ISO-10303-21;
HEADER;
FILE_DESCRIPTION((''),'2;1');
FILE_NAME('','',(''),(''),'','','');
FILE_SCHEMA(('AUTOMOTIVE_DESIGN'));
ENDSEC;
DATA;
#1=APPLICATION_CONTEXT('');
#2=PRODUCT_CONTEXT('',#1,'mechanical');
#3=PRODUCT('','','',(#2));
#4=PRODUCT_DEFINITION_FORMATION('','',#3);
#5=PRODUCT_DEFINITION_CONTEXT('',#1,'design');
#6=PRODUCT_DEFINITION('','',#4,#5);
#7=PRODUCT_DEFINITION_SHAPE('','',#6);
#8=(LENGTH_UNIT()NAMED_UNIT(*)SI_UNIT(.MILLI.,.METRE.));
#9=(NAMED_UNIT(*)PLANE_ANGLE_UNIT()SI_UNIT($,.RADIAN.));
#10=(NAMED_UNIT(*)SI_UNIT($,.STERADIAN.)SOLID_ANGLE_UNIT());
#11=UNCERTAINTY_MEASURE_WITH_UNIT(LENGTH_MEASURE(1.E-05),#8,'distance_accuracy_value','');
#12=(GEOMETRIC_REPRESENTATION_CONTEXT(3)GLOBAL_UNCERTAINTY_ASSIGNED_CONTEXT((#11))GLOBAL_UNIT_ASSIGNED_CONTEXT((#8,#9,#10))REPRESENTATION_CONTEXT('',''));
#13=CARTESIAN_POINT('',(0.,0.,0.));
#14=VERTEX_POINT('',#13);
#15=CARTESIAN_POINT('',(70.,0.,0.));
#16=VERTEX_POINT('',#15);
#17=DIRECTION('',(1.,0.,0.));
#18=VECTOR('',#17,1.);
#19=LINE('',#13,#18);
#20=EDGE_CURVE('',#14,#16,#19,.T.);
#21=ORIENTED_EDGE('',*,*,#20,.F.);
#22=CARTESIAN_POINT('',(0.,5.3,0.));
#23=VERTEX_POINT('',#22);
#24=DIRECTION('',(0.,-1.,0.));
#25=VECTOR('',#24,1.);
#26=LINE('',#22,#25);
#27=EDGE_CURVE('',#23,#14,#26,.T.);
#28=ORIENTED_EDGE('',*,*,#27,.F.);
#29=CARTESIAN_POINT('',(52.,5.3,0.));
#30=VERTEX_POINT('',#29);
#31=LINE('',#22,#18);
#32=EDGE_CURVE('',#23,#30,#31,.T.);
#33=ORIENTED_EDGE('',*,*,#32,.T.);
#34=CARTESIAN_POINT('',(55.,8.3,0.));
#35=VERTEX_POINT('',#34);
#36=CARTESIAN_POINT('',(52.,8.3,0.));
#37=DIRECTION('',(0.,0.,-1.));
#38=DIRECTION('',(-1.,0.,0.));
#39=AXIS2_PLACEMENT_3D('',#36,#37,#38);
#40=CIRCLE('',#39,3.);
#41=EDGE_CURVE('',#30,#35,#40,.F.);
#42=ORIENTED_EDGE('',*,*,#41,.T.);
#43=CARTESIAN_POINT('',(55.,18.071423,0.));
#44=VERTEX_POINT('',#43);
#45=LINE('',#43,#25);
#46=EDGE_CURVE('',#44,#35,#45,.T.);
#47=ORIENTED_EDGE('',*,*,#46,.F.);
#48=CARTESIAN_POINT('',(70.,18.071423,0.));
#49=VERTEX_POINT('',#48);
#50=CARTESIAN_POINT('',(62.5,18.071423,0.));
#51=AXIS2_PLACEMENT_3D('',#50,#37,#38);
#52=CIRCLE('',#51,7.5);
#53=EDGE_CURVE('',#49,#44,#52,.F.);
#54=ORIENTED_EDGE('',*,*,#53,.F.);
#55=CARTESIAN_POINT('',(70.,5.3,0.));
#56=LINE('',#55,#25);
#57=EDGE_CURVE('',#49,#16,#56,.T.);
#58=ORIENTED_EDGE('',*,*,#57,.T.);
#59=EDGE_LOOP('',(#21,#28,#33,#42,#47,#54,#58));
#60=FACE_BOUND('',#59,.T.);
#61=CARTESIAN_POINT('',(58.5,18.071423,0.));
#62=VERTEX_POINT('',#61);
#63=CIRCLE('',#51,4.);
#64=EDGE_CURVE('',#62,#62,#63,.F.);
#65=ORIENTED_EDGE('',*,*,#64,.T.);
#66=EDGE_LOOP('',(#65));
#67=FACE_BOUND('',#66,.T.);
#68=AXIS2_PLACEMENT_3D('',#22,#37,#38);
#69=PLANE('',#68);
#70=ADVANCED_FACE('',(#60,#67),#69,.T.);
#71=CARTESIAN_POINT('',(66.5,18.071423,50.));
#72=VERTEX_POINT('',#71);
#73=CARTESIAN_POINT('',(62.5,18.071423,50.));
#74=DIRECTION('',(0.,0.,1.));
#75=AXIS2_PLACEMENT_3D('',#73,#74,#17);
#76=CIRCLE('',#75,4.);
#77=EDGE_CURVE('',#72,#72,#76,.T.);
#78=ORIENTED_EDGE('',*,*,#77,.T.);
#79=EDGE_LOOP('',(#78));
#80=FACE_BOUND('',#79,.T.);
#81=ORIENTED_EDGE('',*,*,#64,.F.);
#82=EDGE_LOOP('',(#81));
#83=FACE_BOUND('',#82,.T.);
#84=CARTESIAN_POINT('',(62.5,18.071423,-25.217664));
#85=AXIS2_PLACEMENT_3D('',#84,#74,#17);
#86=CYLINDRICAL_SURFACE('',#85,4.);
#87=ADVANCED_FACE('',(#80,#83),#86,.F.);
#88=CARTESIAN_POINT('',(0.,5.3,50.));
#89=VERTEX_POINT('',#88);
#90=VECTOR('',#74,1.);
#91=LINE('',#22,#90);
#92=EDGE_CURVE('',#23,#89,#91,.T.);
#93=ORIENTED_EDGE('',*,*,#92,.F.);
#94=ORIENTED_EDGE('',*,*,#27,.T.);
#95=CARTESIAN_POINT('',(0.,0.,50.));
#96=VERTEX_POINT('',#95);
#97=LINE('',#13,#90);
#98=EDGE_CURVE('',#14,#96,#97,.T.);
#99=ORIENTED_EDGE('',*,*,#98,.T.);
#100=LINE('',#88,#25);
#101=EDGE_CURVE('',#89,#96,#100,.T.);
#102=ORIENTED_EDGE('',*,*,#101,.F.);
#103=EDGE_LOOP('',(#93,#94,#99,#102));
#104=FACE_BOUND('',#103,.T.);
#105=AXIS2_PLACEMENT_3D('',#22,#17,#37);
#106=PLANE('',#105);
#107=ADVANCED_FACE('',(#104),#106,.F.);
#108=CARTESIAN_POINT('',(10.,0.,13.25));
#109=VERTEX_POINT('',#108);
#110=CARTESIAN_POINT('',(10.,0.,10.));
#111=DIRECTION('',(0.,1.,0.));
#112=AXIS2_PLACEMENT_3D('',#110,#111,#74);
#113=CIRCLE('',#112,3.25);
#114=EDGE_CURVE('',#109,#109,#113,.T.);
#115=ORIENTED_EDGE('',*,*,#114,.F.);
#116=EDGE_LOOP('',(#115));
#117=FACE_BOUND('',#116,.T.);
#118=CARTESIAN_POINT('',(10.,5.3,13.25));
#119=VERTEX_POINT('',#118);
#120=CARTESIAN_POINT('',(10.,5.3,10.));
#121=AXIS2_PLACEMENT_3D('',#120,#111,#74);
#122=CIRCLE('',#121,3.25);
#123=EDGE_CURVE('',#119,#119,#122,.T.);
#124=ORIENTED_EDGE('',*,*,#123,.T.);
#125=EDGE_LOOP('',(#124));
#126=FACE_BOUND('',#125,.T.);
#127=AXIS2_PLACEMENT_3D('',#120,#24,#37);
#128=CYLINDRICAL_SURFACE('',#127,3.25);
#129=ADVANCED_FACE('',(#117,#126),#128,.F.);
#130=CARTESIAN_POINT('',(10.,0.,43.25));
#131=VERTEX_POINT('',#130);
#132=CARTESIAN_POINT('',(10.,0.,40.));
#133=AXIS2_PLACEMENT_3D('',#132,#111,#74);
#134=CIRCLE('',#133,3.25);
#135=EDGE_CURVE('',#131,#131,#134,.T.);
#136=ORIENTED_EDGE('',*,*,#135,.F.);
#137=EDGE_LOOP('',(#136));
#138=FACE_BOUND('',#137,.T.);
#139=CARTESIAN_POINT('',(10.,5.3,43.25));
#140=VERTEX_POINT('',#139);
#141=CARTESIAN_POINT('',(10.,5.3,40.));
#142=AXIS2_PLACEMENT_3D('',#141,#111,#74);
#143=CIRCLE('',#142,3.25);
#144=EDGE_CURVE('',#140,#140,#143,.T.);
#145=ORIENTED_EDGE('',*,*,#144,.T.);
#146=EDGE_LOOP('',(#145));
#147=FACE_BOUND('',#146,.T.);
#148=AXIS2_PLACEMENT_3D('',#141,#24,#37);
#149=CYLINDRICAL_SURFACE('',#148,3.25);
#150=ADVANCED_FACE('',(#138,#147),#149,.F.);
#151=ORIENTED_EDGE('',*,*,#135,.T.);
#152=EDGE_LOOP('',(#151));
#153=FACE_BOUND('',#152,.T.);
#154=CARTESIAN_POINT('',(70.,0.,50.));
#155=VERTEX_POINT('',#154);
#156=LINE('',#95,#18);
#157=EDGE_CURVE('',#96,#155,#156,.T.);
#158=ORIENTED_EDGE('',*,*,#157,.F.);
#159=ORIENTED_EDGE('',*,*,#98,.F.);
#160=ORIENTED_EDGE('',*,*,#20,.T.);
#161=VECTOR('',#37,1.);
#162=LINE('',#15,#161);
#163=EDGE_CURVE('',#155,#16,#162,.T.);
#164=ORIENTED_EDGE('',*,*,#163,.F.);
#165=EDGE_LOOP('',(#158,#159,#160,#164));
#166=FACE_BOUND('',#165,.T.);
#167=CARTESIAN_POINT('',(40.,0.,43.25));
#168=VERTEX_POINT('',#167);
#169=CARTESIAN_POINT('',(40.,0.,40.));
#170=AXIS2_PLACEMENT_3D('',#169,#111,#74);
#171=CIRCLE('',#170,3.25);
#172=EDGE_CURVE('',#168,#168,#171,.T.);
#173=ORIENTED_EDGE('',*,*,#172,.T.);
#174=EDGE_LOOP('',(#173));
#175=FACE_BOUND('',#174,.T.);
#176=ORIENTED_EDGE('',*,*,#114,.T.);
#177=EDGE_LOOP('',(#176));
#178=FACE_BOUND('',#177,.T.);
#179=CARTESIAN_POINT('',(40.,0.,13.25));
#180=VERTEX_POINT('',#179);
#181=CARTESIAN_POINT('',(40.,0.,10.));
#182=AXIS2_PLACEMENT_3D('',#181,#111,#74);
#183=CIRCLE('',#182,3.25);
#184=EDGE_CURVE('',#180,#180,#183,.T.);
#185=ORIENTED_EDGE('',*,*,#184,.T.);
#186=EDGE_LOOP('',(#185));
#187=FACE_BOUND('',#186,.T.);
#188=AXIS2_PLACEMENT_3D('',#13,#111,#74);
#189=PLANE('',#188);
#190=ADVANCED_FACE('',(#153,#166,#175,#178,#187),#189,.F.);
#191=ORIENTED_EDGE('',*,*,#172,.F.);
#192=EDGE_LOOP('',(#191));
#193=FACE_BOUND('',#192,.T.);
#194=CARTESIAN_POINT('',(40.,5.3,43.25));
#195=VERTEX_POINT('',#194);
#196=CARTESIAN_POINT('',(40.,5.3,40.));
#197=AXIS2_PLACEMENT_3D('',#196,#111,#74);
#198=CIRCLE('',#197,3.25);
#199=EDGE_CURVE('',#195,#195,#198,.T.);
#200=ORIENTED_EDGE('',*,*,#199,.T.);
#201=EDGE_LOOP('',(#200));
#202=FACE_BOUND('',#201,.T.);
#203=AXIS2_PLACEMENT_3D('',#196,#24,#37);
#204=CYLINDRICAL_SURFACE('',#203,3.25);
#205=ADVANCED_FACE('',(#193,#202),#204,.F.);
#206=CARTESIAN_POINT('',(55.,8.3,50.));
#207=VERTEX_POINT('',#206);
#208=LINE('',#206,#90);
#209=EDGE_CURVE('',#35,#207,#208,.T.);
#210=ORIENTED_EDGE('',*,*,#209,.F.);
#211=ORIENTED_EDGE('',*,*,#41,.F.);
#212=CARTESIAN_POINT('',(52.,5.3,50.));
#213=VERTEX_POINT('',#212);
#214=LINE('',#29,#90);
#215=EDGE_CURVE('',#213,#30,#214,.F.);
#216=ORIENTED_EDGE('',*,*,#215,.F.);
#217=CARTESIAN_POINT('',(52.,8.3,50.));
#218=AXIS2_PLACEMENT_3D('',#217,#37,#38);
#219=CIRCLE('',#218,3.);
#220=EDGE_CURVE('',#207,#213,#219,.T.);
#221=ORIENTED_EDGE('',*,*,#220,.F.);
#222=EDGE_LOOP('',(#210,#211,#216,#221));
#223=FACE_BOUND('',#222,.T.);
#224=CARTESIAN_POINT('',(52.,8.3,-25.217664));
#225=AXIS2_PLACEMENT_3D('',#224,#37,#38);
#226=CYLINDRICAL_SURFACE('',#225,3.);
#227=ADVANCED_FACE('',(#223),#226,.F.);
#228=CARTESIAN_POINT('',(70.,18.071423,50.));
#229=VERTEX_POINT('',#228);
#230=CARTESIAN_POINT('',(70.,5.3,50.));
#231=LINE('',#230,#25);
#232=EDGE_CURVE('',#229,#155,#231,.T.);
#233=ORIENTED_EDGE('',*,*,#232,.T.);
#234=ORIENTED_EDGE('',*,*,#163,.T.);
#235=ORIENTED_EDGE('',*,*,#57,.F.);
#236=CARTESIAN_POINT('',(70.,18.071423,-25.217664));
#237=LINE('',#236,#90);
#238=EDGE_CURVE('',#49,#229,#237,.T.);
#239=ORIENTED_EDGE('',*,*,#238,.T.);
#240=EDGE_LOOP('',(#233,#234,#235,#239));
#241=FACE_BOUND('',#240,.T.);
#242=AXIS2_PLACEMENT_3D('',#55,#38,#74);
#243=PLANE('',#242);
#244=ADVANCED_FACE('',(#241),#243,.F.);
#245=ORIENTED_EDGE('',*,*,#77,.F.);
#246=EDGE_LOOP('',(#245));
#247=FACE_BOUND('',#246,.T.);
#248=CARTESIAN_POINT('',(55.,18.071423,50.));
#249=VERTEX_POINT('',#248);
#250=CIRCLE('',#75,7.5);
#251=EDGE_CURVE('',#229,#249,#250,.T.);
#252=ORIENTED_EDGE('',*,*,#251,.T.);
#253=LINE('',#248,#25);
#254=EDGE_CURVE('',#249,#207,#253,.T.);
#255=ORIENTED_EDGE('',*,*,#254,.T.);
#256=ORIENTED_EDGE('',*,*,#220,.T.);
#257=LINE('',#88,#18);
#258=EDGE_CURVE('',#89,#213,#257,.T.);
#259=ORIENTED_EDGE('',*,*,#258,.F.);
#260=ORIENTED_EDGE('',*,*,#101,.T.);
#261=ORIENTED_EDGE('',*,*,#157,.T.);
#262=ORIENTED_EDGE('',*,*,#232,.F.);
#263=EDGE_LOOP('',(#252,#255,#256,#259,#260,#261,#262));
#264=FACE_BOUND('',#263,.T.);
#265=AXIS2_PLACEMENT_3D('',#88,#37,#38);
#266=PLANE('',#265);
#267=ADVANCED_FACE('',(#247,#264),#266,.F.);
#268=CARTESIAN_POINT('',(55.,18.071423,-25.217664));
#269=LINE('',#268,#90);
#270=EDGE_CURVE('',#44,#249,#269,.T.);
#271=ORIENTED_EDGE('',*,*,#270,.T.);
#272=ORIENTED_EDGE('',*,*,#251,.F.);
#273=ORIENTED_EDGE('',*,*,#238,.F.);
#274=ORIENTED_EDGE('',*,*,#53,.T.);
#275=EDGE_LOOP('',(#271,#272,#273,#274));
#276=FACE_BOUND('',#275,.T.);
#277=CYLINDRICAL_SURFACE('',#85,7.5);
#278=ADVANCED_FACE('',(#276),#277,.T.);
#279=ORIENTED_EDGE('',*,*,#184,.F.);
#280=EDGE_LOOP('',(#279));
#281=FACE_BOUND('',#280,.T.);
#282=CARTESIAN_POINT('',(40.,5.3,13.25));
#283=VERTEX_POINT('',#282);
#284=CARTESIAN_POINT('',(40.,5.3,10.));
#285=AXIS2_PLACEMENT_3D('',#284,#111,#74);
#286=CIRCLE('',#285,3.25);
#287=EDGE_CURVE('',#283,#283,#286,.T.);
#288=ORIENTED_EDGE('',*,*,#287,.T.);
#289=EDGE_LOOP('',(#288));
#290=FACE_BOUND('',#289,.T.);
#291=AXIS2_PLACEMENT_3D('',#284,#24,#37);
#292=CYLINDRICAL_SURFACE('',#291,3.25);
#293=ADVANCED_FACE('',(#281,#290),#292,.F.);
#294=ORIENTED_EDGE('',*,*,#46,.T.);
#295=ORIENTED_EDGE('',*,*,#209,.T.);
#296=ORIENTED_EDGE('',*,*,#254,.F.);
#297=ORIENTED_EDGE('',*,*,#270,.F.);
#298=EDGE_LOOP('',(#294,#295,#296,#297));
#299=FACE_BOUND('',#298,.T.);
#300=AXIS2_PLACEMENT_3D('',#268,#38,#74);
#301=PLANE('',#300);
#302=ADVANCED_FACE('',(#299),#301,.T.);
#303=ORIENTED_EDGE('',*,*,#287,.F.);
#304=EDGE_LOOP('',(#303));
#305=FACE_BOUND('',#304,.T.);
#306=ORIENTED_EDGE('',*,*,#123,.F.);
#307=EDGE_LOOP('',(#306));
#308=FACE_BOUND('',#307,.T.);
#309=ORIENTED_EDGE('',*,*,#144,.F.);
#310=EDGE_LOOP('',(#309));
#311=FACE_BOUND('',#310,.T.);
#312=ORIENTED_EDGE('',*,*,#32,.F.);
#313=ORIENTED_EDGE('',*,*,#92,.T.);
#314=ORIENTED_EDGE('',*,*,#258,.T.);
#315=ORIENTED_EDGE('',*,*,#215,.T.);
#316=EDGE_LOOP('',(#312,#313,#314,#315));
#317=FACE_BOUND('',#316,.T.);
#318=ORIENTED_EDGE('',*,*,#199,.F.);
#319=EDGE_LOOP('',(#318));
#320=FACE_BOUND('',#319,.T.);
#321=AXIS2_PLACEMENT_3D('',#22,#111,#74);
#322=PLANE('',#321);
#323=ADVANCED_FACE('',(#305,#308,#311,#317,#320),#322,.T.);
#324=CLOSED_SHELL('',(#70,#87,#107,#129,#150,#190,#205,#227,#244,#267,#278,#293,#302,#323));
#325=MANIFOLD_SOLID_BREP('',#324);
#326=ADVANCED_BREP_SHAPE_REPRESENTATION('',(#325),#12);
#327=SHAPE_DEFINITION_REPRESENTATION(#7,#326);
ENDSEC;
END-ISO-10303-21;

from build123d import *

# Parameters (mm, degrees)
SKETCH1_W           = 50
SKETCH1_H           = 50
SKETCH1_R           = 3.25
SKETCH1_W_2         = 20
BOSS_EXTRUDE1_DEPTH = 5.3
SKETCH2_R           = 4
BOSS_EXTRUDE2_DEPTH = 50
FILLET1_R           = 3


with BuildPart() as part:
    # Sketch1 → Boss-Extrude1 (new body)
    # profile 1 of 2: a face of its own
    with BuildSketch(Plane(origin=(0, 0, 0), x_dir=(1, 0, 0), z_dir=(0, 1, 0))):
        with Locations((25, -25)):
            Rectangle(SKETCH1_W, SKETCH1_H)
        with Locations(Location((10, -40, 0), (0, 0, 270))):
            Circle(SKETCH1_R, mode=Mode.SUBTRACT)
        with Locations(Location((40, -40, 0), (0, 0, 270))):
            Circle(SKETCH1_R, mode=Mode.SUBTRACT)
        with Locations(Location((40, -10, 0), (0, 0, 270))):
            Circle(SKETCH1_R, mode=Mode.SUBTRACT)
        with Locations(Location((10, -10, 0), (0, 0, 270))):
            Circle(SKETCH1_R, mode=Mode.SUBTRACT)
    # profile 2 of 2: a face of its own
    with BuildSketch(Plane(origin=(0, 0, 0), x_dir=(1, 0, 0), z_dir=(0, 1, 0))):
        with Locations((60, -25)):
            Rectangle(SKETCH1_W_2, SKETCH1_H)
    extrude(amount=BOSS_EXTRUDE1_DEPTH)

    # Sketch2 → Boss-Extrude2 (add)
    with BuildSketch(Plane.XY.offset(50)):
        with BuildLine():
            Line((55, 18.071423244), (55, 5.3))
            Line((55, 5.3), (70, 5.3))
            Line((70, 5.3), (70, 18.071423244))
            ThreePointArc((70, 18.071423244), (62.5, 25.571423244), (55, 18.071423244))
        make_face()
        with Locations((62.5, 18.071423244)):
            Circle(SKETCH2_R, mode=Mode.SUBTRACT)
    extrude(amount=-BOSS_EXTRUDE2_DEPTH)

    # Fillet1
    fillet1_edges = [part.edges().sort_by_distance(p)[0] for p in [
        (55, 5.3, 25),
    ]]
    fillet(fillet1_edges, radius=FILLET1_R)


solid = part.part
